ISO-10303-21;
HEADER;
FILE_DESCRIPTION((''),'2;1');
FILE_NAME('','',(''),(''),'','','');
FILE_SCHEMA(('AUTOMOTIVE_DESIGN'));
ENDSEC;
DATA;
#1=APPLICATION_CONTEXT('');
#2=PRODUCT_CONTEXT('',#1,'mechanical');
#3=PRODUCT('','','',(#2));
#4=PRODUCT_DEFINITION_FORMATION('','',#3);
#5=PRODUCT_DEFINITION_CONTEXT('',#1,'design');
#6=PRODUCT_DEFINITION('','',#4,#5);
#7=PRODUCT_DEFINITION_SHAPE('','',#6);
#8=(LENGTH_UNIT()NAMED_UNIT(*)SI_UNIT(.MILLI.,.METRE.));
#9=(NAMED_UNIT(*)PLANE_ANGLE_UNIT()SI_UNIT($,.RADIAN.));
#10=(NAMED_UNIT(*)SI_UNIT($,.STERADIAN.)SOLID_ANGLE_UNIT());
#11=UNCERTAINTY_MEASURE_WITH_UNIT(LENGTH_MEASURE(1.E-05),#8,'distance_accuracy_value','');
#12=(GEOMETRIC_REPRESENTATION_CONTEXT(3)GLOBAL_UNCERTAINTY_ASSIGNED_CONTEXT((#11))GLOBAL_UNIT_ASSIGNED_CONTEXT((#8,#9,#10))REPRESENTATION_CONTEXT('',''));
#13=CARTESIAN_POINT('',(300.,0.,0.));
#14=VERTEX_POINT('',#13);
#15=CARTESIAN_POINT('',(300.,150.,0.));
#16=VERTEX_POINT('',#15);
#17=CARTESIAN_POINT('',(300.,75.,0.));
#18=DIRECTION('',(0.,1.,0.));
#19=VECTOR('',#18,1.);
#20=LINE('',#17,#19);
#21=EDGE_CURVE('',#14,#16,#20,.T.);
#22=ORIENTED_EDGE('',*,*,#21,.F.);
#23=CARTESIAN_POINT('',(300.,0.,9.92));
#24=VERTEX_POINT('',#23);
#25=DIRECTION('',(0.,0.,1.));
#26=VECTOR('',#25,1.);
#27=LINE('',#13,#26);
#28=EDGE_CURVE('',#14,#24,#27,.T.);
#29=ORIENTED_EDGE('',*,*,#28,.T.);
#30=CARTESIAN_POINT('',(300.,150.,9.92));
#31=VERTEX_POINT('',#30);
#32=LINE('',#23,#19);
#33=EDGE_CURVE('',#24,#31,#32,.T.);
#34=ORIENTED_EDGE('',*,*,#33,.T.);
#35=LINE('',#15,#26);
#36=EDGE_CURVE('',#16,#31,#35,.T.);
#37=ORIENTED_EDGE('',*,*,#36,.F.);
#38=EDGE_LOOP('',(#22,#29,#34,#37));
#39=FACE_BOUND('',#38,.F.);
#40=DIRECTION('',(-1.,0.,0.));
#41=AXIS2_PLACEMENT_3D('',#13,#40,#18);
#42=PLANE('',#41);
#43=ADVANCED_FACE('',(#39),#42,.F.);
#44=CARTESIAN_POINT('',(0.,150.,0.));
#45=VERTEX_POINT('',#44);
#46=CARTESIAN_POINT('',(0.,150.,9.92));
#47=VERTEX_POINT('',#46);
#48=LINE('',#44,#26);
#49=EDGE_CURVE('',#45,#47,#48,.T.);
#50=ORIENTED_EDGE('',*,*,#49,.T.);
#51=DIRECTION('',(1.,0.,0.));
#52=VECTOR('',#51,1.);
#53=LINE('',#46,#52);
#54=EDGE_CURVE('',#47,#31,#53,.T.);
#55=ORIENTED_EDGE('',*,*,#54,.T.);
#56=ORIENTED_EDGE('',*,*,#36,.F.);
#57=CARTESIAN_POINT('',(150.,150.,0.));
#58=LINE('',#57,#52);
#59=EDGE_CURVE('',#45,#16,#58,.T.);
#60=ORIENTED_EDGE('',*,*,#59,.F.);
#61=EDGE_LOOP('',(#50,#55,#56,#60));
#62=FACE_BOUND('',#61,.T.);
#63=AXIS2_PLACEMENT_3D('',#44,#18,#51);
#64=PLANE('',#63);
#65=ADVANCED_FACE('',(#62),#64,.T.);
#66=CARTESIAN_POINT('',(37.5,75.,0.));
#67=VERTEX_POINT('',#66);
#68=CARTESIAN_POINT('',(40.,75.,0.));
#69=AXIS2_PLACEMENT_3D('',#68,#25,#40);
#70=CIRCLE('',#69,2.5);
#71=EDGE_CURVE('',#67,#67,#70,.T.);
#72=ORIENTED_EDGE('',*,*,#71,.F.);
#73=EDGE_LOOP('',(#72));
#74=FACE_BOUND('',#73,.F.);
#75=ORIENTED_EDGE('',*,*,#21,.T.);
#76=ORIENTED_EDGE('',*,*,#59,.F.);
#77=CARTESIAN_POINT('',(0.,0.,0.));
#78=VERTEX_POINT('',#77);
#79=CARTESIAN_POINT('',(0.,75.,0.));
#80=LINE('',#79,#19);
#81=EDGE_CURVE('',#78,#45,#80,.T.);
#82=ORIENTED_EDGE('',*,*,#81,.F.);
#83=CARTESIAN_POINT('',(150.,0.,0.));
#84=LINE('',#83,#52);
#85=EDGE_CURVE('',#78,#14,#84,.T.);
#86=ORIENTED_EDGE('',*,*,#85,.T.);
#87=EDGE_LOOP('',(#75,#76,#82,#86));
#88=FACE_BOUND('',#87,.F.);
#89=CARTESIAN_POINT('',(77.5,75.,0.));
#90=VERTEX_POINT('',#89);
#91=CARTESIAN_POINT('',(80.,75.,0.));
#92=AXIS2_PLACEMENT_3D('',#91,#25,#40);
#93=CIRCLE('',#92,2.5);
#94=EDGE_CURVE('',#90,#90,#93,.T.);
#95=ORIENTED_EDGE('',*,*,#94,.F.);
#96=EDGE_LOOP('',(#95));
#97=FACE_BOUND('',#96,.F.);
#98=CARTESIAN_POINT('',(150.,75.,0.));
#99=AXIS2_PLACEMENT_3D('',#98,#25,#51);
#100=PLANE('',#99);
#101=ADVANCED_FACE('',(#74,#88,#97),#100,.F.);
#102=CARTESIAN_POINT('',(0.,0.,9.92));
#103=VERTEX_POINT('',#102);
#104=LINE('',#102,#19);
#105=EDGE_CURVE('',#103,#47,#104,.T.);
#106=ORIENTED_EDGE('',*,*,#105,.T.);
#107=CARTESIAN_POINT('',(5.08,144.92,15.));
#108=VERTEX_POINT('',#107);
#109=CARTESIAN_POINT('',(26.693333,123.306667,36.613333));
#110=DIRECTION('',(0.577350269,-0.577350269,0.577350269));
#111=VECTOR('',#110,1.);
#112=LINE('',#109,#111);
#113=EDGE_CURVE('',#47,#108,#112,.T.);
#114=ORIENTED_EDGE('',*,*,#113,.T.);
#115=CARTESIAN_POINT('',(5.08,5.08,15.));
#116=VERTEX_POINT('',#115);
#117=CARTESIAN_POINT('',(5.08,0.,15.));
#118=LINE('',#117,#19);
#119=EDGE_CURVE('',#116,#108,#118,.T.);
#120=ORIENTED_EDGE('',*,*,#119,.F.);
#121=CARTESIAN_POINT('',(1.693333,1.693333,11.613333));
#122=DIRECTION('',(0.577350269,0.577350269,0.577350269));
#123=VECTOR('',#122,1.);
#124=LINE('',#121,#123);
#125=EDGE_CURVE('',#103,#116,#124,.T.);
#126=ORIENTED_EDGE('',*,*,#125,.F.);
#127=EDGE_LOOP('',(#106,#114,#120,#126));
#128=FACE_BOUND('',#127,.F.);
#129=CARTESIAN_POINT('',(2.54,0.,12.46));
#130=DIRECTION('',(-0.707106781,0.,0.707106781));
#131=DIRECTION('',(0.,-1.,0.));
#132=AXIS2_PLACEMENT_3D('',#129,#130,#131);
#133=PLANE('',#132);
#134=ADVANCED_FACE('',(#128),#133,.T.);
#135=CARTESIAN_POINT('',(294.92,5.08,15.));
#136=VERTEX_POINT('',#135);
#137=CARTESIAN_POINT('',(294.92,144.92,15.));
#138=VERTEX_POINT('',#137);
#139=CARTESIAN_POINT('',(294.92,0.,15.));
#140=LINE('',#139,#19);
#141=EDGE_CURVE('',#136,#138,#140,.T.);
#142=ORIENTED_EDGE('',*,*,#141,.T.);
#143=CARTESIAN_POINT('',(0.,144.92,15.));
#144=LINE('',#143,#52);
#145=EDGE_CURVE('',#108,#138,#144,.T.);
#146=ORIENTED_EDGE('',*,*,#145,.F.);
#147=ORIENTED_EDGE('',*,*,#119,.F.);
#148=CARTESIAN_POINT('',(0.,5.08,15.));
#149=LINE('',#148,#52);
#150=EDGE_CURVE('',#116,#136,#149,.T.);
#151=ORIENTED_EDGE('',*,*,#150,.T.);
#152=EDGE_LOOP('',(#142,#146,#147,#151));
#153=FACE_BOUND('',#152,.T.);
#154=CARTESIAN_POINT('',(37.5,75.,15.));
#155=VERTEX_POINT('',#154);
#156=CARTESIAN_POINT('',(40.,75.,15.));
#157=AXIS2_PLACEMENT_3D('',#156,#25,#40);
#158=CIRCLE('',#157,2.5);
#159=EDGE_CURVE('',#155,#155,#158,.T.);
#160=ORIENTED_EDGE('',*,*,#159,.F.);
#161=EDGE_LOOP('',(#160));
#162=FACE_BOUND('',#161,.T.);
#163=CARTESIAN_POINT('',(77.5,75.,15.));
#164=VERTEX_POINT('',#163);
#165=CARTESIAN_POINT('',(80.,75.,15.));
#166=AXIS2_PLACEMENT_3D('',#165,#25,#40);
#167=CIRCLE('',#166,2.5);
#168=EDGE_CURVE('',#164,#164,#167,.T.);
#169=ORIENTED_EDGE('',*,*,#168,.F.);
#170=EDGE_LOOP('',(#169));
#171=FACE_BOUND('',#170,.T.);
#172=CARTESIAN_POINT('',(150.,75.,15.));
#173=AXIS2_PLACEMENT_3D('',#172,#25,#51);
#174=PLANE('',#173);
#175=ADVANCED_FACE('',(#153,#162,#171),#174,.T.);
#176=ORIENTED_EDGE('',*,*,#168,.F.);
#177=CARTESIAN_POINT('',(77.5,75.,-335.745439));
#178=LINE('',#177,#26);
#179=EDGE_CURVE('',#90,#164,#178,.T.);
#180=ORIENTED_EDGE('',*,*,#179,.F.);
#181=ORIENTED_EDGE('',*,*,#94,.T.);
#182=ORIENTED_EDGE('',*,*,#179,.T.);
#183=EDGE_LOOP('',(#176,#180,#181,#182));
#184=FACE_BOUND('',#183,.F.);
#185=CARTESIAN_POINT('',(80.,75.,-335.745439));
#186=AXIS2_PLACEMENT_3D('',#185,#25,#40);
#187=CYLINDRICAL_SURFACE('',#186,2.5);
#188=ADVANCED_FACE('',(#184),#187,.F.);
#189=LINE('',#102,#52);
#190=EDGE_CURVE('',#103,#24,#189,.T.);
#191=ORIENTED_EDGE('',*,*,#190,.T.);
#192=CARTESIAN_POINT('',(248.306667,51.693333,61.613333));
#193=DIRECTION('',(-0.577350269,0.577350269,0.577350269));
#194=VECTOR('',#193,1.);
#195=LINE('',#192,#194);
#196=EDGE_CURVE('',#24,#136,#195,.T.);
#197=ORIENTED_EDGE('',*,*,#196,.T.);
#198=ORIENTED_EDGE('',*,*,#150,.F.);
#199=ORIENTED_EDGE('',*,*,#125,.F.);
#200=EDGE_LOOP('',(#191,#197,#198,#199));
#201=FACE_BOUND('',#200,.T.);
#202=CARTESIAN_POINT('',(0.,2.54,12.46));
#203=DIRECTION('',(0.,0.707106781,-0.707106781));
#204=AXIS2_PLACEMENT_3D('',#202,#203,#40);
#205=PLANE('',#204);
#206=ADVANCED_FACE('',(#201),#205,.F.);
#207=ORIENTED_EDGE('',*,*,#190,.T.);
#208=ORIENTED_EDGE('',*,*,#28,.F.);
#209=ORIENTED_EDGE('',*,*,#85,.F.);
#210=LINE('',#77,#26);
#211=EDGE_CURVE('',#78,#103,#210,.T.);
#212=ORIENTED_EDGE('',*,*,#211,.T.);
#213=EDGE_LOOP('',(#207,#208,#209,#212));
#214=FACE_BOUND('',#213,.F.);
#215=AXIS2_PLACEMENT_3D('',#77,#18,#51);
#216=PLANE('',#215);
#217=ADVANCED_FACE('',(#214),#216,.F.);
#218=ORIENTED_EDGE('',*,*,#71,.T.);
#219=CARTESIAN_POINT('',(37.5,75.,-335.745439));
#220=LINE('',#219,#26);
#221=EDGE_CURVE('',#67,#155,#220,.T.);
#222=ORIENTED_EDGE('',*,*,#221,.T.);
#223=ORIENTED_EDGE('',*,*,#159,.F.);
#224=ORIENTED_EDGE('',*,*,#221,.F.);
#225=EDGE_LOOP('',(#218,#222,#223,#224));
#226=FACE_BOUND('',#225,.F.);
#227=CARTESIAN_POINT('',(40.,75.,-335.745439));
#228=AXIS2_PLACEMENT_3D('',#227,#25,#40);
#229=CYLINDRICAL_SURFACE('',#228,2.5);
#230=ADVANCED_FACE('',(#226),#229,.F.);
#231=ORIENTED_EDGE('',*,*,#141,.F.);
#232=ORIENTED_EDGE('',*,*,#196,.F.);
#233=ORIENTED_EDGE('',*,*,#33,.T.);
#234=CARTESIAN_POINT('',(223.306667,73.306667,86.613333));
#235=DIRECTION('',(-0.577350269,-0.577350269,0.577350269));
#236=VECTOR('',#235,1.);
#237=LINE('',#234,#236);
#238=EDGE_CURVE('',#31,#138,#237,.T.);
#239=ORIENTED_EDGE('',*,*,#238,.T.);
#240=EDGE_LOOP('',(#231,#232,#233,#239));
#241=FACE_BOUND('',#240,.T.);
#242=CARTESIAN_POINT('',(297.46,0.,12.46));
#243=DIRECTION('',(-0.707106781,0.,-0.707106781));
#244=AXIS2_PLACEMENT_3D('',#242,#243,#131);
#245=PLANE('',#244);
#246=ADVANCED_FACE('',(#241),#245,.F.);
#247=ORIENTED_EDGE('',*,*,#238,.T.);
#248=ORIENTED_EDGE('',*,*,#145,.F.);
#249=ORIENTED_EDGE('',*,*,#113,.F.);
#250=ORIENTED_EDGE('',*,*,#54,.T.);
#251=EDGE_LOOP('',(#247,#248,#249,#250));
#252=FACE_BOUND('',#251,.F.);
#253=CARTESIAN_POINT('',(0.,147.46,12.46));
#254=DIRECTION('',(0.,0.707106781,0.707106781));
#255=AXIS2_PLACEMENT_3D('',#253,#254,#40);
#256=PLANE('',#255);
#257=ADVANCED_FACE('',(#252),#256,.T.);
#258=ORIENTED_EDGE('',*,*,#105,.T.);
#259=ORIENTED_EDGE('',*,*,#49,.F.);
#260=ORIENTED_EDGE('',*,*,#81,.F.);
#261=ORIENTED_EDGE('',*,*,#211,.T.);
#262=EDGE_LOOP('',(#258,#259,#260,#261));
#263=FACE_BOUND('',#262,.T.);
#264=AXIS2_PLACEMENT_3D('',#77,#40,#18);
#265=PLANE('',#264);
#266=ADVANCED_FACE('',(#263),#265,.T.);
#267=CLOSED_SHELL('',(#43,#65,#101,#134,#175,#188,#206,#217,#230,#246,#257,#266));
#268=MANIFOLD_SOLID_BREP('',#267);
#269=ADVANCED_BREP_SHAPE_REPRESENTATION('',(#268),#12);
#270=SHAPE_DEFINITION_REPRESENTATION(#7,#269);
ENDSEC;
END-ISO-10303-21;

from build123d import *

# Parameters (mm, degrees)
F0_W     = 300
F0_H     = 150
F1_DEPTH = 15
F2_SIZE  = 5.08
F4_D     = 5


with BuildPart() as f1:
    # F0 (on Top) → F1 (new body)
    with BuildSketch(Plane.XY):
        with Locations((150, 75)):
            Rectangle(F0_W, F0_H)
    extrude(amount=F1_DEPTH)

    # F2
    f2_edges = [f1.edges().sort_by_distance(p)[0] for p in [
        (150, 0, 15),
        (300, 75, 15),
        (150, 150, 15),
        (0, 75, 15),
    ]]
    chamfer(f2_edges, length=F2_SIZE)

    # F4 (through all)
    with Locations(Plane(origin=(0, 0, 0), x_dir=(1, 0, 0), z_dir=(0, 0, -1))):
        with Locations((40, -75), (80, -75)):
            Hole(F4_D / 2)


solid = f1.part
